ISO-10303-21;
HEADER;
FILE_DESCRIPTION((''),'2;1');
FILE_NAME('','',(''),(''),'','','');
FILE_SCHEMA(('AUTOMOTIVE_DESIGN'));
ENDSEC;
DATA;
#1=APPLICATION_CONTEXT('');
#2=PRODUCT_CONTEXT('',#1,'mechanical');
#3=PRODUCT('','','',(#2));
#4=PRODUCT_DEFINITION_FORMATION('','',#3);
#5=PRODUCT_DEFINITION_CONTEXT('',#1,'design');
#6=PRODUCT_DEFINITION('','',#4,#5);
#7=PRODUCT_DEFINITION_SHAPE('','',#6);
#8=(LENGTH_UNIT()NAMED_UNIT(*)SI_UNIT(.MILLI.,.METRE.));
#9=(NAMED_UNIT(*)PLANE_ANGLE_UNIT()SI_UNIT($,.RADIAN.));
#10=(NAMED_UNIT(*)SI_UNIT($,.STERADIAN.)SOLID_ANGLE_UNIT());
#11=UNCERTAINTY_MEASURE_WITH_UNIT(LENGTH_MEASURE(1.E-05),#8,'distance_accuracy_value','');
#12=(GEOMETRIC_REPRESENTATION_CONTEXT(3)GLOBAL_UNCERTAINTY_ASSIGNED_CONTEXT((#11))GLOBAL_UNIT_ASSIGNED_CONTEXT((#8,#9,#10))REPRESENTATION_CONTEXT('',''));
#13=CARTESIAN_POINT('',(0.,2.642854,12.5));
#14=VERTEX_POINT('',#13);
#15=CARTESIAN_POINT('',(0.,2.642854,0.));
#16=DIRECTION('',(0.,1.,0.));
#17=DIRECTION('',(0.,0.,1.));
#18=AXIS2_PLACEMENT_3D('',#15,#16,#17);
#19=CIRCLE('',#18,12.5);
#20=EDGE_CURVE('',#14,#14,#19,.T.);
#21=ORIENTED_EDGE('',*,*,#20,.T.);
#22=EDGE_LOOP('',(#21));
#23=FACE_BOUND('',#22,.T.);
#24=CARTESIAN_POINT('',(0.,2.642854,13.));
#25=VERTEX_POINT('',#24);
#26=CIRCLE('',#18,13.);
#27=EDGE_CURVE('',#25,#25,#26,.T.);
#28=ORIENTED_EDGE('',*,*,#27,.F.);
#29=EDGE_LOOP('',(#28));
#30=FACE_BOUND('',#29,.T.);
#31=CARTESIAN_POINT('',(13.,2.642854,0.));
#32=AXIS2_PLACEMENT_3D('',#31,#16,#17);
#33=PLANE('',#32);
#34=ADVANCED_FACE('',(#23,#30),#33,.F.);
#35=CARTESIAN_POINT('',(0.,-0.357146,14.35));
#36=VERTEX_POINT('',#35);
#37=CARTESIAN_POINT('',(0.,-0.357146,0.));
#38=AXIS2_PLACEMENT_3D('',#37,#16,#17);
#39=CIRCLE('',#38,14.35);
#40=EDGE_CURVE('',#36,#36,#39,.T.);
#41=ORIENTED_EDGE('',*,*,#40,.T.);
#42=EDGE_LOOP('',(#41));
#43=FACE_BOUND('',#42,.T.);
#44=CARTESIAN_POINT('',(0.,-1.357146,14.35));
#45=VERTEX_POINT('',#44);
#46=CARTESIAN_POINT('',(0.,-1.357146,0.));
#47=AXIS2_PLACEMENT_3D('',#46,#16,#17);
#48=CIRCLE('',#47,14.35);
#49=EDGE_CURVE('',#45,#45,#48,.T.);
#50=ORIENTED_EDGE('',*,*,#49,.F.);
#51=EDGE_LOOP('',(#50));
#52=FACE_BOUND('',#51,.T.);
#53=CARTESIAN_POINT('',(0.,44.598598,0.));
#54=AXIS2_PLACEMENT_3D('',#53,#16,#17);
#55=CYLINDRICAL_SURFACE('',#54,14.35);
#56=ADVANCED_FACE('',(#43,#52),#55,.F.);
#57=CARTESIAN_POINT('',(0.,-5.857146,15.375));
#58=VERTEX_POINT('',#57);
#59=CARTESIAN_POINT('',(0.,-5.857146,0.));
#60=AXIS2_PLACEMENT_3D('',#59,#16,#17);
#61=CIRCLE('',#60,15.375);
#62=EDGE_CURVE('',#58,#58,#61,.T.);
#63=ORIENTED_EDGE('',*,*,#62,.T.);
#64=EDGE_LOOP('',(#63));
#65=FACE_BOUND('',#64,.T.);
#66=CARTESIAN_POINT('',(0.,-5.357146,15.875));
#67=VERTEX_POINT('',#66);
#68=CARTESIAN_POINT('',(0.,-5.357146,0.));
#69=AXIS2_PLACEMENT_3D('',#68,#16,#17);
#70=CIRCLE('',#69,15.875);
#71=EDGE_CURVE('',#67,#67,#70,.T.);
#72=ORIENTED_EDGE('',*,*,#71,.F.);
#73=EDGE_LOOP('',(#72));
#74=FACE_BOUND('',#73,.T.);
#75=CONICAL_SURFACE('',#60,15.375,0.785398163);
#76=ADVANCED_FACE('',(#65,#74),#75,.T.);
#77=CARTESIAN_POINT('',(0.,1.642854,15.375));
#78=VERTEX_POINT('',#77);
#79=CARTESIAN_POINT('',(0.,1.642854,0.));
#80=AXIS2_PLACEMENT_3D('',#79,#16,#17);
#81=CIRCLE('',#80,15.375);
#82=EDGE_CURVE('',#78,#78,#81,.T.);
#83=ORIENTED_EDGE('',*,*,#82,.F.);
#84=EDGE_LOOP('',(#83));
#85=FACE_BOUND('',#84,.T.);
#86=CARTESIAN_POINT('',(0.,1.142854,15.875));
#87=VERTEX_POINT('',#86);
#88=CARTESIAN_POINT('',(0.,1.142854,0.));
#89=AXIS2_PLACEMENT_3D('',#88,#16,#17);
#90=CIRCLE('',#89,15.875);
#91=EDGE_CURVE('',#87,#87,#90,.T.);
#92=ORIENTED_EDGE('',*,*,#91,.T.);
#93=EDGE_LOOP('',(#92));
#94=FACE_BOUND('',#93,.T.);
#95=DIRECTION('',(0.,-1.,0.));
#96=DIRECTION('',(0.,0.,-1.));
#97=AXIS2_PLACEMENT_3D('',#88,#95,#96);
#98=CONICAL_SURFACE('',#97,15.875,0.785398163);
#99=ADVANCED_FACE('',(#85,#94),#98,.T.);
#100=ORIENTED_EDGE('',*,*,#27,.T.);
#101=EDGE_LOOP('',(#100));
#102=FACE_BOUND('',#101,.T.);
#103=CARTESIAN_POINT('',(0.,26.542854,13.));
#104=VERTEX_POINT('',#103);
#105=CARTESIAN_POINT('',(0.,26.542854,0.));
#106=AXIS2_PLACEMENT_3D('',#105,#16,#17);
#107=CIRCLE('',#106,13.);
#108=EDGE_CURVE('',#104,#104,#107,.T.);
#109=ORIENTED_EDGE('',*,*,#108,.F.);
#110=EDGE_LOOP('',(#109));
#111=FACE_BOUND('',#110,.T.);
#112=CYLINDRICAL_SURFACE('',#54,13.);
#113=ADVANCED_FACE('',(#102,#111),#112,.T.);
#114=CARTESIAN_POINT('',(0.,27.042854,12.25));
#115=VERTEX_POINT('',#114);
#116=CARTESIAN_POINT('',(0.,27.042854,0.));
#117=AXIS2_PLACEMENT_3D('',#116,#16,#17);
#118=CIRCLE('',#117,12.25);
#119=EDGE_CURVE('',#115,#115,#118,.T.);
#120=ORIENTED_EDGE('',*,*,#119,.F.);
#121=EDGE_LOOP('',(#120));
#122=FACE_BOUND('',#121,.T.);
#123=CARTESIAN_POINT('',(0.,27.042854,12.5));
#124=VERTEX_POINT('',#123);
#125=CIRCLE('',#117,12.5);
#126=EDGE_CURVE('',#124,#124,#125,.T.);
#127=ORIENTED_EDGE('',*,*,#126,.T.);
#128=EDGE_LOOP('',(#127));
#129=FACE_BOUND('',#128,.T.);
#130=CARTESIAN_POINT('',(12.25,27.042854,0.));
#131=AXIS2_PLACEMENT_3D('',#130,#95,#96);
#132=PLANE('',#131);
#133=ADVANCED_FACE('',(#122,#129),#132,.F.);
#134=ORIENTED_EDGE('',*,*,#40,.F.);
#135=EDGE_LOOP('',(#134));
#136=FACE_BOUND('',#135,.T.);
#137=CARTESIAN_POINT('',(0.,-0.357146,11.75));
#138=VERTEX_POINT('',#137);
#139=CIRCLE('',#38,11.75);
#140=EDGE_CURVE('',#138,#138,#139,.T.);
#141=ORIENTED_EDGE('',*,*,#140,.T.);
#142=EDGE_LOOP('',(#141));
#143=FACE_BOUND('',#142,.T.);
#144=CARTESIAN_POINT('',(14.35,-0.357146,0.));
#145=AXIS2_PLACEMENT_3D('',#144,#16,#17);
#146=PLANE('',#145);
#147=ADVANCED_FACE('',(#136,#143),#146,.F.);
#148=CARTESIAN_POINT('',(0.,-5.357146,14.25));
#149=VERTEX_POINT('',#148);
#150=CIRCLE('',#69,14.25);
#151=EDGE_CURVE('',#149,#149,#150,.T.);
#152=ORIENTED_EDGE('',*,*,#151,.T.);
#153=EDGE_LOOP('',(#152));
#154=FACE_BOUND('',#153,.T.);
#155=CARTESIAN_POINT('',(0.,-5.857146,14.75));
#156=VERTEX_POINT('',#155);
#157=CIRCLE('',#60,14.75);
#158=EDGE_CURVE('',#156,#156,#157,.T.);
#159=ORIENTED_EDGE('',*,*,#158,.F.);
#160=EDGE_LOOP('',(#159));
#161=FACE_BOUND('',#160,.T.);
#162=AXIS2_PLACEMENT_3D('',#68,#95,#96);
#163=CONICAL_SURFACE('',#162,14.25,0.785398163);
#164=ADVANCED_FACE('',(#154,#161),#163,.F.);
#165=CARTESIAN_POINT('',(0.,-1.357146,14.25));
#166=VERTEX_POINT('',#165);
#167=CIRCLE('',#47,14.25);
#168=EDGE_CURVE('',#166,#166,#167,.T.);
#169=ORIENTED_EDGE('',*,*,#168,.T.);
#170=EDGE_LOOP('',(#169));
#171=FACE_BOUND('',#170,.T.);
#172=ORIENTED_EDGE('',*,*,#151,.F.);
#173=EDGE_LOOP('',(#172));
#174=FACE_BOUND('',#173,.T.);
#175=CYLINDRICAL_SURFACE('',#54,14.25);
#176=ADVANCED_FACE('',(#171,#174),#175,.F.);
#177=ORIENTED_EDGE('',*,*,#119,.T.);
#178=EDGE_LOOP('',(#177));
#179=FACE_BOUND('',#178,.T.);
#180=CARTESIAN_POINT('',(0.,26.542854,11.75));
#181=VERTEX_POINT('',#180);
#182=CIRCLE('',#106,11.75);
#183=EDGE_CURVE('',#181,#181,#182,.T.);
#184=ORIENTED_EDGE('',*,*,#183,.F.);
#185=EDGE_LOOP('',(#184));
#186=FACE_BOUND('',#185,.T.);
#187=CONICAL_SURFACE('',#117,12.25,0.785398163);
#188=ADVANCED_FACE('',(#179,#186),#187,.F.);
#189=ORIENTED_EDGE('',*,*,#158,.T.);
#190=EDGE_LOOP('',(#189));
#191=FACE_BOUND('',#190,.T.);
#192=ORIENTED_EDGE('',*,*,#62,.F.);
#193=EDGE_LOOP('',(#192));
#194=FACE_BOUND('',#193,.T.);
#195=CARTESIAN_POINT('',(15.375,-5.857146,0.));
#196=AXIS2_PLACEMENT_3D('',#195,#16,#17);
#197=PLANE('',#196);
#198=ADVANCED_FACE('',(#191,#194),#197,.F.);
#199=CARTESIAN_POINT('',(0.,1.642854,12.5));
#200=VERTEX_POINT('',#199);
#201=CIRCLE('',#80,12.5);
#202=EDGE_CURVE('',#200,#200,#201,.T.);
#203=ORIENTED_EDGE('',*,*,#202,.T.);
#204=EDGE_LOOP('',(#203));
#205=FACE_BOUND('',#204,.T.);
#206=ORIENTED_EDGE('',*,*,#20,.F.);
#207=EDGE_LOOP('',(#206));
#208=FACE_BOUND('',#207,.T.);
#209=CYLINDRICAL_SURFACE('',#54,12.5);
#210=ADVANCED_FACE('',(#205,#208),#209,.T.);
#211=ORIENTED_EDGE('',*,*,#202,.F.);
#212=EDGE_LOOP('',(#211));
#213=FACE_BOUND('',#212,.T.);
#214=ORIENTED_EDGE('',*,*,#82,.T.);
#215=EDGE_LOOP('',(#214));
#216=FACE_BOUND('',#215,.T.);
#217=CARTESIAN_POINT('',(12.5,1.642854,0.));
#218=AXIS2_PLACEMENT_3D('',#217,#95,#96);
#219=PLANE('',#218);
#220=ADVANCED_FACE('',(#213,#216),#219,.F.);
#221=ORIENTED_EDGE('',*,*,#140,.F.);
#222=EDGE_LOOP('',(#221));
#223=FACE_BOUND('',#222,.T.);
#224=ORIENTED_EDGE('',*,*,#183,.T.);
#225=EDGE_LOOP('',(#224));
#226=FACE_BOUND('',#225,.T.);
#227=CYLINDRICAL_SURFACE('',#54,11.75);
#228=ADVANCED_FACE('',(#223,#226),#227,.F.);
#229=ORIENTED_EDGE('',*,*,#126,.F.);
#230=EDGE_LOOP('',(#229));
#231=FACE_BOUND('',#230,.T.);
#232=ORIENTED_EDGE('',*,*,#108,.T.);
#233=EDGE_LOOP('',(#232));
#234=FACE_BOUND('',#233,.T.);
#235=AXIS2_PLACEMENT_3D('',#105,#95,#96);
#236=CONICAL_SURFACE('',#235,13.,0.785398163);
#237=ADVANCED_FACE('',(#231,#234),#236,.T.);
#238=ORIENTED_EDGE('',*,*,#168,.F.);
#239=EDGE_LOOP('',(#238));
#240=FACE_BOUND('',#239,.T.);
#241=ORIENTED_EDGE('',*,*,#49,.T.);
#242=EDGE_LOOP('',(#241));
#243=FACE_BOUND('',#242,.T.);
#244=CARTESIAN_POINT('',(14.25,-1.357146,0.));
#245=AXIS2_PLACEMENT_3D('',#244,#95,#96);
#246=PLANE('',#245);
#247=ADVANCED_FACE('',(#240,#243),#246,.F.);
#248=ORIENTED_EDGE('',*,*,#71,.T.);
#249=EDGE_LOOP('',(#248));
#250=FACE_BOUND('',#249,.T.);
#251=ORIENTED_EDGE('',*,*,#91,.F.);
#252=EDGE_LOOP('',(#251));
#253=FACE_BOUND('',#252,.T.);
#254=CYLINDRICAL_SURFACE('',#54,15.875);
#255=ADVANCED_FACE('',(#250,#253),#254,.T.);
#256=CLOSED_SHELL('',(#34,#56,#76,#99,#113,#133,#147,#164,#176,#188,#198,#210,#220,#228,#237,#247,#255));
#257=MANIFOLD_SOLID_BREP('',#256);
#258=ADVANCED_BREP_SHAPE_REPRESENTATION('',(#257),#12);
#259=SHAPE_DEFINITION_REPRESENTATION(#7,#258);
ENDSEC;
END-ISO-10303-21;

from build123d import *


with BuildPart() as part:
    # 草图1 → 旋转2 (revolve)
    with BuildSketch(Plane.XY, mode=Mode.PRIVATE) as revolve_2_sk:
        Polygon((12.25, 27.042854175), (12.5, 27.042854175), (13, 26.542854175), (13, 2.642854175), (12.5, 2.642854175), (12.5, 1.642854175), (15.375, 1.642854175), (15.875, 1.142854175), (15.875, -5.357145825), (15.375, -5.857145825), (14.75, -5.857145825), (14.25, -5.357145825), (14.25, -1.357145825), (14.35, -1.357145825), (14.35, -0.357145825), (11.75, -0.357145825), (11.75, 26.542854175), align=None)
    revolve(revolve_2_sk.sketch.rotate(Axis((0, 44.598597745, 0), (0, -1, 0)), 90), axis=Axis((0, 44.598597745, 0), (0, -1, 0)))  # turned: the seam where the file's is


solid = part.part
